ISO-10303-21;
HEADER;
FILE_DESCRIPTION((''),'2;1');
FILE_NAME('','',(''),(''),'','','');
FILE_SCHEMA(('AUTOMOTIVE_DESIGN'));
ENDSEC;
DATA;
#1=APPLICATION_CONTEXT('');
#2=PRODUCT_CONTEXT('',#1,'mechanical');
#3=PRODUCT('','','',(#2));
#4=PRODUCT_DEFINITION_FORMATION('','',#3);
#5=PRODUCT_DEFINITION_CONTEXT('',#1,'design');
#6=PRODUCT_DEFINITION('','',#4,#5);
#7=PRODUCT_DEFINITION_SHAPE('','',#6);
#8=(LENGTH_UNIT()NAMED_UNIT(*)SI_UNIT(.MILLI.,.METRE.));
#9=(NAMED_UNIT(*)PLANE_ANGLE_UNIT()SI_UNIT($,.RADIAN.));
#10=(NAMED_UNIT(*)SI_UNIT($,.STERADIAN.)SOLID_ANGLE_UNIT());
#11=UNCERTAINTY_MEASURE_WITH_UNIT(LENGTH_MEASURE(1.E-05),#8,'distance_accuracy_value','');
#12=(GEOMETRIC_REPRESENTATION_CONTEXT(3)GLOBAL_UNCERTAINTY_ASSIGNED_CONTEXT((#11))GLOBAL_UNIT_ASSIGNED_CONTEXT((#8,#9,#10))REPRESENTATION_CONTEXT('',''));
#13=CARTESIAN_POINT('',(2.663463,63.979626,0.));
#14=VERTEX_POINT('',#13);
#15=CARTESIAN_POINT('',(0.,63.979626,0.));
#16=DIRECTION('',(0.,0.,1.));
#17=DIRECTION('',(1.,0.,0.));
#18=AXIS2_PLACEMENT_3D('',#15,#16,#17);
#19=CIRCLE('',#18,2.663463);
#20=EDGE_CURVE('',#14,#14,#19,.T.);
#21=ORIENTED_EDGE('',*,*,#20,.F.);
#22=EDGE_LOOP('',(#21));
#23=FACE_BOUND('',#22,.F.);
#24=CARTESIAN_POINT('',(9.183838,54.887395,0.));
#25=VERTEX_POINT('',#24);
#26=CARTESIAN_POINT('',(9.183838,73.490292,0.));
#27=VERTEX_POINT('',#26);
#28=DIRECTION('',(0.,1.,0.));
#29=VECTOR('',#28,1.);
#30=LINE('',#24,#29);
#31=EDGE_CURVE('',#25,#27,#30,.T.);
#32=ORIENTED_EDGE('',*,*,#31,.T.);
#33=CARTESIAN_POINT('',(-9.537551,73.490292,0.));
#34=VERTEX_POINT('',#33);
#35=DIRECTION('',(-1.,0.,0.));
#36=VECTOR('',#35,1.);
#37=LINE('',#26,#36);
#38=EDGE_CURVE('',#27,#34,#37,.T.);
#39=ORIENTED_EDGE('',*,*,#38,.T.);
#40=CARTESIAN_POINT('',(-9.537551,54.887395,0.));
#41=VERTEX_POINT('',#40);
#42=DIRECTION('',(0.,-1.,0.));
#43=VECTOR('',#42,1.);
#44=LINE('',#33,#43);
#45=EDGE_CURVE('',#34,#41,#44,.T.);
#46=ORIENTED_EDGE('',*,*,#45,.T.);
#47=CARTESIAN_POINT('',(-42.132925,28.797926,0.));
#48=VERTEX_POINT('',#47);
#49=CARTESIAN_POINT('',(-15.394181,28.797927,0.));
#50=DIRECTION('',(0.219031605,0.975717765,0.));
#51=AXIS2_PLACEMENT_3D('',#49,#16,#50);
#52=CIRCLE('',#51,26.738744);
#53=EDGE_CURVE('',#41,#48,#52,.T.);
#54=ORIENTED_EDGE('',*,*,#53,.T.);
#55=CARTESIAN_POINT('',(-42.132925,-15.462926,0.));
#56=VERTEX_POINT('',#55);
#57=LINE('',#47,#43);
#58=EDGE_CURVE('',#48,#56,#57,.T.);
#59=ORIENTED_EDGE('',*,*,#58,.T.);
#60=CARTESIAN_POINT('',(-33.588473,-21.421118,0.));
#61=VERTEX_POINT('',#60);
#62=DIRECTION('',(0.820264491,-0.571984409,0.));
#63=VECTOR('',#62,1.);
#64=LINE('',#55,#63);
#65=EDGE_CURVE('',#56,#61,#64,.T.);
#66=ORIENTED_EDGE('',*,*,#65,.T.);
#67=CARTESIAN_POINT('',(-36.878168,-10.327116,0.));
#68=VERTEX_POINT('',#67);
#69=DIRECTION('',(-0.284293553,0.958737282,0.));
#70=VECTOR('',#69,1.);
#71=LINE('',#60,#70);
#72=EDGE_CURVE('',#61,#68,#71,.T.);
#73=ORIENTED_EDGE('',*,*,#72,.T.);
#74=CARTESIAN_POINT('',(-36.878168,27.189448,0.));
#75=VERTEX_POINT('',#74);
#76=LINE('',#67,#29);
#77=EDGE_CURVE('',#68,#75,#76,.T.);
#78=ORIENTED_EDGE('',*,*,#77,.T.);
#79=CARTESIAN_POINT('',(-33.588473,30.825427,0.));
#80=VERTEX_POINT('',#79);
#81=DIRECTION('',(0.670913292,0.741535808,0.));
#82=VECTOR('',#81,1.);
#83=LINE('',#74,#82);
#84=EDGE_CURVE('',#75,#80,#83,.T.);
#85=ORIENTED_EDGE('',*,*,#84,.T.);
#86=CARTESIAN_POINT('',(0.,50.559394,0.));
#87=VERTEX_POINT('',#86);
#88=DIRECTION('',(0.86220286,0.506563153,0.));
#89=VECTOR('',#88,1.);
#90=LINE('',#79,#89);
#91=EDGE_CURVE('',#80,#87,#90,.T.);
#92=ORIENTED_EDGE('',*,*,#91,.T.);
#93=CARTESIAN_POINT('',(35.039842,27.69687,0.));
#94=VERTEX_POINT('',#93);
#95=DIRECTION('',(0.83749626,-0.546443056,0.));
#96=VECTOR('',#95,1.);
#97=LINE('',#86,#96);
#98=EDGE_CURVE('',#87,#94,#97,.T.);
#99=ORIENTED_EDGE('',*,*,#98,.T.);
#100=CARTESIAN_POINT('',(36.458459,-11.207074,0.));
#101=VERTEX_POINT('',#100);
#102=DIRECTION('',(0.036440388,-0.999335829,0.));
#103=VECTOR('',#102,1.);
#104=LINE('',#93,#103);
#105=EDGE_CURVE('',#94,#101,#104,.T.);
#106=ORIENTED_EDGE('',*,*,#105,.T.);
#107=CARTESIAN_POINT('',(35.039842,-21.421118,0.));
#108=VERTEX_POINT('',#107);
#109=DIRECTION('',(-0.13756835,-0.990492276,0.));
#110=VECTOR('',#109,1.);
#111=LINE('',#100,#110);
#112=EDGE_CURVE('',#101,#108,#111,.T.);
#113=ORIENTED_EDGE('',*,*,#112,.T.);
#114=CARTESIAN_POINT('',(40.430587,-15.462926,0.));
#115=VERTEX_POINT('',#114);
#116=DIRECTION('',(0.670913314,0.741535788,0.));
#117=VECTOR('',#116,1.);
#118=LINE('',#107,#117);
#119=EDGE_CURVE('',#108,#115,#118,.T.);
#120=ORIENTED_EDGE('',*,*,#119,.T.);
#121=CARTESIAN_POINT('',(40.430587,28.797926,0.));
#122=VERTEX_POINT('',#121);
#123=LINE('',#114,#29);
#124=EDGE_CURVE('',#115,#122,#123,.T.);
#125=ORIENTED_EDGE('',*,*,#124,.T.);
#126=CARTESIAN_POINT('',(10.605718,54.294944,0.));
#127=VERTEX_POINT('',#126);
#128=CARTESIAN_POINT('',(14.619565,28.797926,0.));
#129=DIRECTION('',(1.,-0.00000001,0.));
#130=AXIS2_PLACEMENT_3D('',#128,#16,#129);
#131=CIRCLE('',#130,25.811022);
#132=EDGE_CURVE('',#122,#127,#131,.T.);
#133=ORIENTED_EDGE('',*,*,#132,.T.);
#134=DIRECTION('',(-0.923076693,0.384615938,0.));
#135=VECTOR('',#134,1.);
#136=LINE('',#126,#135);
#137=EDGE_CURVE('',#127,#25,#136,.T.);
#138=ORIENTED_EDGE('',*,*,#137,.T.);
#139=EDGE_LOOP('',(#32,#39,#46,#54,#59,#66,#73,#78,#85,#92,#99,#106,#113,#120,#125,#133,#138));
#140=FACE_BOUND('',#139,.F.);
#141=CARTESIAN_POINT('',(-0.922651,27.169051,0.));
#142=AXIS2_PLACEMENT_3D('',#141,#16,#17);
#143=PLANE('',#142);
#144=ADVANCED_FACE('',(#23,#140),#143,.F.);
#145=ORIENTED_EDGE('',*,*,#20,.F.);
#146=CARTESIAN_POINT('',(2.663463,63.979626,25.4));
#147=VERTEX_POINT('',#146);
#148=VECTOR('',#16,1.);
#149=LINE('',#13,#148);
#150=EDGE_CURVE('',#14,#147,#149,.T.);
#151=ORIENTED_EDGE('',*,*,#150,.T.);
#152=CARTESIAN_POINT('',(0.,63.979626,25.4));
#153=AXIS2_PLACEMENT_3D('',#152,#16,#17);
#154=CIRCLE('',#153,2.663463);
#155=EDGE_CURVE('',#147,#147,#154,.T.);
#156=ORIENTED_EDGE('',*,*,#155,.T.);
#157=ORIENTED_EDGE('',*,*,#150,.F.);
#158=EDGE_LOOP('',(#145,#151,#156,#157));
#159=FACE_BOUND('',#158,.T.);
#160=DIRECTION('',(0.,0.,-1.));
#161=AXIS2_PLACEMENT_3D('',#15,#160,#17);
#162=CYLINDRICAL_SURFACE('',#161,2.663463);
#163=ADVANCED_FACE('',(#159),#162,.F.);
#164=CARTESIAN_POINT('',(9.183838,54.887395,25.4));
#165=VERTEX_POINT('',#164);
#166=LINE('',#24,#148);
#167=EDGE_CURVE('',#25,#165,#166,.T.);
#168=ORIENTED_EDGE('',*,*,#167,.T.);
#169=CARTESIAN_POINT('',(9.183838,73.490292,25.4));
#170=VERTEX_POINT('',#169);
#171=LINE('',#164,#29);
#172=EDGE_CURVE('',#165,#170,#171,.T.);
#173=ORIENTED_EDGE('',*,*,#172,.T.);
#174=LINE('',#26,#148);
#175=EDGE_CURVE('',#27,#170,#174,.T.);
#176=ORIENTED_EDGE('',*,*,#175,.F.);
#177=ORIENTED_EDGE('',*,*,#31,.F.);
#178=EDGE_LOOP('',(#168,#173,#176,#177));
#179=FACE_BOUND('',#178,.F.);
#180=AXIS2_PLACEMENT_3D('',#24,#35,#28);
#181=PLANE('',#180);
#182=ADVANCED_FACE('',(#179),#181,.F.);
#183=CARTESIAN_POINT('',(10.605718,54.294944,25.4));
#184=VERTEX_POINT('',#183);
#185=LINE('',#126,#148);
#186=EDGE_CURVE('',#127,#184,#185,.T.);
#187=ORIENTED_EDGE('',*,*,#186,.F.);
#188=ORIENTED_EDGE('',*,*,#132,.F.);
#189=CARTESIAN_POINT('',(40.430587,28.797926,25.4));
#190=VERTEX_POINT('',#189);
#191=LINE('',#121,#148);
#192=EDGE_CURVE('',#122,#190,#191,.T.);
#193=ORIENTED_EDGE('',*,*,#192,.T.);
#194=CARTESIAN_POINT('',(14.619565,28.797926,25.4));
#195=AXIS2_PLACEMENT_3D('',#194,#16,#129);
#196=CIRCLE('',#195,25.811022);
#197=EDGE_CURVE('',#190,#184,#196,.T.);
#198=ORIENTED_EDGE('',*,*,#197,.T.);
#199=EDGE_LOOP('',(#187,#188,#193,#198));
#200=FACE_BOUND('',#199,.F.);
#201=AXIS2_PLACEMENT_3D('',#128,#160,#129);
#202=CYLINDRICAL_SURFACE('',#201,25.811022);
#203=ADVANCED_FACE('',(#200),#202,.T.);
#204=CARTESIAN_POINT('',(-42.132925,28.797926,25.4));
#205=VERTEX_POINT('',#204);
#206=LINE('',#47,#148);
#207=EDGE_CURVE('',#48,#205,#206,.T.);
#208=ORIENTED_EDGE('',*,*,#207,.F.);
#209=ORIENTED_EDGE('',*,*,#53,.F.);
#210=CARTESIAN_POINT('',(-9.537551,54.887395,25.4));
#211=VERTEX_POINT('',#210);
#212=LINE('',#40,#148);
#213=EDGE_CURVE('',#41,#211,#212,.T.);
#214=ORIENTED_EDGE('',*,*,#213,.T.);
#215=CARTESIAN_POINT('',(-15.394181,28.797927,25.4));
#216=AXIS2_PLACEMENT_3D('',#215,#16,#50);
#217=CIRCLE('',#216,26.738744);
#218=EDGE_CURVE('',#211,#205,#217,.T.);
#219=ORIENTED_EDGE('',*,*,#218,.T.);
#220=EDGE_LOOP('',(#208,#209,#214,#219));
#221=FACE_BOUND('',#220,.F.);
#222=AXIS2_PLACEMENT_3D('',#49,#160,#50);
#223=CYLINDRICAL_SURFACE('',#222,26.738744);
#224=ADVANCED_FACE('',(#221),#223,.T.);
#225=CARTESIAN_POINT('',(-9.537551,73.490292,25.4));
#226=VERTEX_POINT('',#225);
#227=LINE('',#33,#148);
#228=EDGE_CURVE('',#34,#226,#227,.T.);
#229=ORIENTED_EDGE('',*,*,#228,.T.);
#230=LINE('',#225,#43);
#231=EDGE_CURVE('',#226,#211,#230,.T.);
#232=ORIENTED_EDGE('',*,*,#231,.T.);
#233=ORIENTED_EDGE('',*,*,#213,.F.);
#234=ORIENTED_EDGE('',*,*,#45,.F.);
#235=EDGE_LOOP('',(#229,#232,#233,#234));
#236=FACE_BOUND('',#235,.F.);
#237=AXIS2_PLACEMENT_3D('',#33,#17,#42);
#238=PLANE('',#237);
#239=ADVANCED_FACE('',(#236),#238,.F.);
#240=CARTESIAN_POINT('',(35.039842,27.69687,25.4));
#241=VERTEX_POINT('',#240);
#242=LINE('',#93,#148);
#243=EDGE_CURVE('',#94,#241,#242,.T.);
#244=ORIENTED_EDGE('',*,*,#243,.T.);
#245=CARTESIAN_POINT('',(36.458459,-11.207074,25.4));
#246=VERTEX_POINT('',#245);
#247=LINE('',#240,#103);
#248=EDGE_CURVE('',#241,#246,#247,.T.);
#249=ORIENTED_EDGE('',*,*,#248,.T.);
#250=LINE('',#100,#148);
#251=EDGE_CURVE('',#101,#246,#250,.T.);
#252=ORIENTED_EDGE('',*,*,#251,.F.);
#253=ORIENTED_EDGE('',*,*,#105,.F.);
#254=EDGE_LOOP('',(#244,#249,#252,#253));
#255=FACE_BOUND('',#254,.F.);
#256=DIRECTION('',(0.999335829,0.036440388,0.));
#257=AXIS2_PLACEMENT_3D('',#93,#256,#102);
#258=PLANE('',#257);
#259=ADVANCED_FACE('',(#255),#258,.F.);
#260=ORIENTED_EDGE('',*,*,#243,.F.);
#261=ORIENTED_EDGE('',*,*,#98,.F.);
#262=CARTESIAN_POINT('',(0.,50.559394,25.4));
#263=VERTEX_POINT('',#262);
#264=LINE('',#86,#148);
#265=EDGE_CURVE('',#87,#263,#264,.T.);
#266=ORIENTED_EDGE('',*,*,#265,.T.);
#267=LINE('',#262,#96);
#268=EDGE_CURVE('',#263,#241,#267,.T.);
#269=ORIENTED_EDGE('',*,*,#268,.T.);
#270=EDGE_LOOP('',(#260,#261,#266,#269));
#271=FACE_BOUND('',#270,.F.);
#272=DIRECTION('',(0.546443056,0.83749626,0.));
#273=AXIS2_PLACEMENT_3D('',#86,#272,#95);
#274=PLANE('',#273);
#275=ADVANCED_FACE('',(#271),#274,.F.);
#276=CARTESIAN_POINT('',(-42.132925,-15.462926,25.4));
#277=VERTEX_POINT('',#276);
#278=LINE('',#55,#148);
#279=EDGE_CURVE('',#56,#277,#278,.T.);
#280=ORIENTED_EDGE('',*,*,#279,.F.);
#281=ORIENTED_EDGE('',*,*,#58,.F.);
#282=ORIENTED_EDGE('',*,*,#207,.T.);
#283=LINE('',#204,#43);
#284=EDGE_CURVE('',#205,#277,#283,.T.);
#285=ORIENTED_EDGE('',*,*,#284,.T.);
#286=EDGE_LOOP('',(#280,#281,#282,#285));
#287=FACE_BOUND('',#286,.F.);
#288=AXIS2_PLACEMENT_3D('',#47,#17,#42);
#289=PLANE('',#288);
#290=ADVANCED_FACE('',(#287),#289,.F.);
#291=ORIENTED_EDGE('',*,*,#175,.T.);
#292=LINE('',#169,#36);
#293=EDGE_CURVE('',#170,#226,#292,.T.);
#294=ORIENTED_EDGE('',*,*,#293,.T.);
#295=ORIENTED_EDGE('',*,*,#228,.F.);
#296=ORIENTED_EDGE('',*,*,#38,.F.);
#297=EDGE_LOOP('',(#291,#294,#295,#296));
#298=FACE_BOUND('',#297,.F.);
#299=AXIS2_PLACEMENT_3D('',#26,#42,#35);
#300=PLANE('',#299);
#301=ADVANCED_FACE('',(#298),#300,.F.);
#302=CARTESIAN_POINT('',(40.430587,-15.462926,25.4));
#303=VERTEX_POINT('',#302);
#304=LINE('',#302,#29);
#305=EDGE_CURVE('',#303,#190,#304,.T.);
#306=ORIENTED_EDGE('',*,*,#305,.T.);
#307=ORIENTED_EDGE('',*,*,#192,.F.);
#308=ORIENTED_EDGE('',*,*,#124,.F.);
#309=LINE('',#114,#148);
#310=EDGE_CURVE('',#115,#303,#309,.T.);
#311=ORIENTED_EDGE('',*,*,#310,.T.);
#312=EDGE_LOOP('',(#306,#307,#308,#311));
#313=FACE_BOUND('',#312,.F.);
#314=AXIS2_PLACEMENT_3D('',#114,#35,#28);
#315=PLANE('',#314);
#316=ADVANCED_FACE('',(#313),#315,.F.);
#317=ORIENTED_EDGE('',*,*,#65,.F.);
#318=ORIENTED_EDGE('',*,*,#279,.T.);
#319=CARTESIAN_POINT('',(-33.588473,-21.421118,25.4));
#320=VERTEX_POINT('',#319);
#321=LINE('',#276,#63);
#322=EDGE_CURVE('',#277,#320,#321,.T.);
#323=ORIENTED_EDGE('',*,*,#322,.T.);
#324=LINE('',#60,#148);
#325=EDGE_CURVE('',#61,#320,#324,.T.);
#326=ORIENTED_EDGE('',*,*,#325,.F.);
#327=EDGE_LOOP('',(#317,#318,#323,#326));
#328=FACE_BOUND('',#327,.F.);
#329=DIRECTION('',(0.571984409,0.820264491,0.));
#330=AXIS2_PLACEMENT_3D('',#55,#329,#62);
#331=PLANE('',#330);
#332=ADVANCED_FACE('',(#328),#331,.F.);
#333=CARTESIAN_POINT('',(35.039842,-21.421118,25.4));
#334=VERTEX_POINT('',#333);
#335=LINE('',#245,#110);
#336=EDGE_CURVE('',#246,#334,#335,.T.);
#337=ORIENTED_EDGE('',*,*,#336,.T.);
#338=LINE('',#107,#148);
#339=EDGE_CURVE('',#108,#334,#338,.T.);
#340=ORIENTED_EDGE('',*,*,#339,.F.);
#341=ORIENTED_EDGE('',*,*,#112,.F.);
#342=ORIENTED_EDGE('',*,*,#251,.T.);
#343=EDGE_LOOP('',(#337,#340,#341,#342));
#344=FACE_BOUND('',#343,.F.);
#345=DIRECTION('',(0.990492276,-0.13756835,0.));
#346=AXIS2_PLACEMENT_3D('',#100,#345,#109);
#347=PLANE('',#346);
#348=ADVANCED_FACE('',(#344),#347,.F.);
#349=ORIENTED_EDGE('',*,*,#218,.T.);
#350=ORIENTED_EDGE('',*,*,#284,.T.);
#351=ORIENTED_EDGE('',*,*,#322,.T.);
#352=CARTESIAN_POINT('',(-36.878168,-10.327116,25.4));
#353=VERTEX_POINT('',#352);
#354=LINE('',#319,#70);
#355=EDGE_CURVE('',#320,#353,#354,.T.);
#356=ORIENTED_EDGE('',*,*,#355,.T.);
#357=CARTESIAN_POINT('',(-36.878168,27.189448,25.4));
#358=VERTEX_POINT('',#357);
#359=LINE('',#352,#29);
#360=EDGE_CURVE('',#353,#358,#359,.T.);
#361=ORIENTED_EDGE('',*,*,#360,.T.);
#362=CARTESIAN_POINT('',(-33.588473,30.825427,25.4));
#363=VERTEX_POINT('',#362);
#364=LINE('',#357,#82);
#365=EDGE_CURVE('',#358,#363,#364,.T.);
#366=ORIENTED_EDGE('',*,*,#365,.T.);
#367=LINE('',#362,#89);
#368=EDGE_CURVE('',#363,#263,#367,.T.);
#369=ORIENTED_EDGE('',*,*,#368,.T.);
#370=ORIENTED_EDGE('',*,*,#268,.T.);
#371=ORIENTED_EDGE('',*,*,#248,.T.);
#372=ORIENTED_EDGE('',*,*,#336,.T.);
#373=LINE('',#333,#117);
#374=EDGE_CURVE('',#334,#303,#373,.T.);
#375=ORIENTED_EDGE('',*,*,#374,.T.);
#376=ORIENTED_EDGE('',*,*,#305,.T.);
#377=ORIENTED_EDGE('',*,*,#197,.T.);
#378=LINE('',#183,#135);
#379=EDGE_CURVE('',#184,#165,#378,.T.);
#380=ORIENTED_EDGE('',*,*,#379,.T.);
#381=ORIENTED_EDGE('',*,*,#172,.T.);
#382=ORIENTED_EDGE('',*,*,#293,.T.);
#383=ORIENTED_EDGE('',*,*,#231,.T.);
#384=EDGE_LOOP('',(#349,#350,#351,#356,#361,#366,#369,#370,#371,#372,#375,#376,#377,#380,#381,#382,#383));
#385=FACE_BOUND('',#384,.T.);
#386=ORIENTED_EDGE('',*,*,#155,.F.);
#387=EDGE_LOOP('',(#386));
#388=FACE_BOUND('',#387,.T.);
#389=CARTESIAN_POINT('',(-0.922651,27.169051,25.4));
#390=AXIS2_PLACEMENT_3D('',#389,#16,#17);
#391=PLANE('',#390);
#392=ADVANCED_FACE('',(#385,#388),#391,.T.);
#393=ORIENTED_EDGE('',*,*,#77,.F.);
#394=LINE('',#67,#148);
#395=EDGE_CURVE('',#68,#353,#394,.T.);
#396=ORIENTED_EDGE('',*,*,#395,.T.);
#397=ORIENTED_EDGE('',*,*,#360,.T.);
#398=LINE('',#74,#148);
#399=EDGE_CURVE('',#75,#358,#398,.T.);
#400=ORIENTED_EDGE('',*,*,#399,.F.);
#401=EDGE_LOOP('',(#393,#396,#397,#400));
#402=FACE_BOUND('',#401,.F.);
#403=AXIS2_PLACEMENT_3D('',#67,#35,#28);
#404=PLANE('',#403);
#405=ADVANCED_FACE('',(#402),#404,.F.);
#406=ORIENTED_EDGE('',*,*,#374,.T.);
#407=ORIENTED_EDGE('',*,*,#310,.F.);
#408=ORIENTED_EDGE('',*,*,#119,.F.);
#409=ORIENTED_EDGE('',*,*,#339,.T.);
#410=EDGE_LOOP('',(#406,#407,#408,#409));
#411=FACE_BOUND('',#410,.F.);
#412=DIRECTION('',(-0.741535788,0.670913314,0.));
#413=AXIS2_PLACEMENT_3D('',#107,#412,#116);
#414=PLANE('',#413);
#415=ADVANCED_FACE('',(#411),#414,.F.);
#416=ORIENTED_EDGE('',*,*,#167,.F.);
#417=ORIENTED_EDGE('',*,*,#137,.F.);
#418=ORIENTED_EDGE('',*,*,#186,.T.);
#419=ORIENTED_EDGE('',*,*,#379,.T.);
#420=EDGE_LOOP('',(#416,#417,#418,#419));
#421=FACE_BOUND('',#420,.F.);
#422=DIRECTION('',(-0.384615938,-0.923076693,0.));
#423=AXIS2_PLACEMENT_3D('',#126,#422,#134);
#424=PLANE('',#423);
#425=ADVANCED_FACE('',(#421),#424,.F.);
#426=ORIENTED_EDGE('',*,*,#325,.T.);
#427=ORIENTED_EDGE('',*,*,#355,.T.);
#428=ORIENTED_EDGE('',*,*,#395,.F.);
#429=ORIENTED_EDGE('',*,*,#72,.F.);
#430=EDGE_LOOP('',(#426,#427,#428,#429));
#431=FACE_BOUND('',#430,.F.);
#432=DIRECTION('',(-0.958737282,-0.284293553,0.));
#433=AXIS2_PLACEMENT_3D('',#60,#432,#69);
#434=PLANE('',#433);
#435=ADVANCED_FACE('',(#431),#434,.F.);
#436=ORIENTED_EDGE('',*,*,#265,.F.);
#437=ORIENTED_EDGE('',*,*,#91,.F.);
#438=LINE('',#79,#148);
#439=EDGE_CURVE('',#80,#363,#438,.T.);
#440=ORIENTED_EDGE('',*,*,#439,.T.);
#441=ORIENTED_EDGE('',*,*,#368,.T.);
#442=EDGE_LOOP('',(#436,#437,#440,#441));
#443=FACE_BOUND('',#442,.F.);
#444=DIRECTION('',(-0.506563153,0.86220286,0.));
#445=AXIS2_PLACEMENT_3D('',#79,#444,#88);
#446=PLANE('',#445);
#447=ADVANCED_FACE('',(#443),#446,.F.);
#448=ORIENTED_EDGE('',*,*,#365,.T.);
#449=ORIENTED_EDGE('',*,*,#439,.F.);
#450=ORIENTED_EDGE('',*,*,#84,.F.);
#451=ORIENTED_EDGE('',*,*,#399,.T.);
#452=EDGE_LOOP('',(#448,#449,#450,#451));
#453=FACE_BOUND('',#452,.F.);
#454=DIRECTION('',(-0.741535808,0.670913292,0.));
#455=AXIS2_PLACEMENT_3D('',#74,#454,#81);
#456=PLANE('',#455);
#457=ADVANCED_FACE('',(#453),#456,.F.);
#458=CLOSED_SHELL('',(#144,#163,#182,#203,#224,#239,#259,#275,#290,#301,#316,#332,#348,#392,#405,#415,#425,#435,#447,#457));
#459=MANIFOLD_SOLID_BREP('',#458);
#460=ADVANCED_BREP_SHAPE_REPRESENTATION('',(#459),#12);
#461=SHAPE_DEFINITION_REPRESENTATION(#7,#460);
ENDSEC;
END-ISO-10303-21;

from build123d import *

# Parameters (mm, degrees)
F0_R     = 2.663463
F1_DEPTH = 25.4
F2_DEPTH = 25.4


with BuildPart() as f1:
    # F0 (on Top) → F1 (new body)
    with BuildSketch(Plane.XY):
        with BuildLine():
            ThreePointArc((-9.537551, 54.887395), (-32.102884, 49.673264), (-42.132925, 28.797926))
            Line((-42.132925, 28.797926), (-42.132925, -15.462926))
            Line((-42.132925, -15.462926), (-33.588473, -21.421118))
            Line((-33.588473, -21.421118), (-36.878168, -10.327116))
            Line((-36.878168, -10.327116), (-36.878168, 27.189448))
            Line((-36.878168, 27.189448), (-33.588473, 30.825427))
            Line((-33.588473, 30.825427), (0, 50.559394))
            Line((0, 50.559394), (35.039842, 27.69687))
            Line((35.039842, 27.69687), (36.458459, -11.207074))
            Line((36.458459, -11.207074), (35.039842, -21.421118))
            Line((35.039842, -21.421118), (40.430587, -15.462926))
            Line((40.430587, -15.462926), (40.430587, 28.797926))
            ThreePointArc((40.430587, 28.797926), (31.391675, 48.416927), (10.605718, 54.294944))
            Line((10.605718, 54.294944), (9.183838, 54.887395))
            Line((9.183838, 54.887395), (9.183838, 73.490292))
            Line((9.183838, 73.490292), (-9.537551, 73.490292))
            Line((-9.537551, 73.490292), (-9.537551, 54.887395))
        make_face()
        with Locations((0, 63.979626)):
            Circle(F0_R, mode=Mode.SUBTRACT)
    extrude(amount=F1_DEPTH)

    # F0 (on Top) → F2 (join)
    with BuildSketch(Plane.XY):
        with BuildLine():
            ThreePointArc((-9.537551, 54.887395), (-32.102884, 49.673264), (-42.132925, 28.797926))
            Line((-42.132925, 28.797926), (-42.132925, -15.462926))
            Line((-42.132925, -15.462926), (-33.588473, -21.421118))
            Line((-33.588473, -21.421118), (-36.878168, -10.327116))
            Line((-36.878168, -10.327116), (-36.878168, 27.189448))
            Line((-36.878168, 27.189448), (-33.588473, 30.825427))
            Line((-33.588473, 30.825427), (0, 50.559394))
            Line((0, 50.559394), (35.039842, 27.69687))
            Line((35.039842, 27.69687), (36.458459, -11.207074))
            Line((36.458459, -11.207074), (35.039842, -21.421118))
            Line((35.039842, -21.421118), (40.430587, -15.462926))
            Line((40.430587, -15.462926), (40.430587, 28.797926))
            ThreePointArc((40.430587, 28.797926), (31.391675, 48.416927), (10.605718, 54.294944))
            Line((10.605718, 54.294944), (9.183838, 54.887395))
            Line((9.183838, 54.887395), (9.183838, 73.490292))
            Line((9.183838, 73.490292), (-9.537551, 73.490292))
            Line((-9.537551, 73.490292), (-9.537551, 54.887395))
        make_face()
        with Locations((0, 63.979626)):
            Circle(F0_R, mode=Mode.SUBTRACT)
    extrude(amount=F2_DEPTH)


solid = f1.part
